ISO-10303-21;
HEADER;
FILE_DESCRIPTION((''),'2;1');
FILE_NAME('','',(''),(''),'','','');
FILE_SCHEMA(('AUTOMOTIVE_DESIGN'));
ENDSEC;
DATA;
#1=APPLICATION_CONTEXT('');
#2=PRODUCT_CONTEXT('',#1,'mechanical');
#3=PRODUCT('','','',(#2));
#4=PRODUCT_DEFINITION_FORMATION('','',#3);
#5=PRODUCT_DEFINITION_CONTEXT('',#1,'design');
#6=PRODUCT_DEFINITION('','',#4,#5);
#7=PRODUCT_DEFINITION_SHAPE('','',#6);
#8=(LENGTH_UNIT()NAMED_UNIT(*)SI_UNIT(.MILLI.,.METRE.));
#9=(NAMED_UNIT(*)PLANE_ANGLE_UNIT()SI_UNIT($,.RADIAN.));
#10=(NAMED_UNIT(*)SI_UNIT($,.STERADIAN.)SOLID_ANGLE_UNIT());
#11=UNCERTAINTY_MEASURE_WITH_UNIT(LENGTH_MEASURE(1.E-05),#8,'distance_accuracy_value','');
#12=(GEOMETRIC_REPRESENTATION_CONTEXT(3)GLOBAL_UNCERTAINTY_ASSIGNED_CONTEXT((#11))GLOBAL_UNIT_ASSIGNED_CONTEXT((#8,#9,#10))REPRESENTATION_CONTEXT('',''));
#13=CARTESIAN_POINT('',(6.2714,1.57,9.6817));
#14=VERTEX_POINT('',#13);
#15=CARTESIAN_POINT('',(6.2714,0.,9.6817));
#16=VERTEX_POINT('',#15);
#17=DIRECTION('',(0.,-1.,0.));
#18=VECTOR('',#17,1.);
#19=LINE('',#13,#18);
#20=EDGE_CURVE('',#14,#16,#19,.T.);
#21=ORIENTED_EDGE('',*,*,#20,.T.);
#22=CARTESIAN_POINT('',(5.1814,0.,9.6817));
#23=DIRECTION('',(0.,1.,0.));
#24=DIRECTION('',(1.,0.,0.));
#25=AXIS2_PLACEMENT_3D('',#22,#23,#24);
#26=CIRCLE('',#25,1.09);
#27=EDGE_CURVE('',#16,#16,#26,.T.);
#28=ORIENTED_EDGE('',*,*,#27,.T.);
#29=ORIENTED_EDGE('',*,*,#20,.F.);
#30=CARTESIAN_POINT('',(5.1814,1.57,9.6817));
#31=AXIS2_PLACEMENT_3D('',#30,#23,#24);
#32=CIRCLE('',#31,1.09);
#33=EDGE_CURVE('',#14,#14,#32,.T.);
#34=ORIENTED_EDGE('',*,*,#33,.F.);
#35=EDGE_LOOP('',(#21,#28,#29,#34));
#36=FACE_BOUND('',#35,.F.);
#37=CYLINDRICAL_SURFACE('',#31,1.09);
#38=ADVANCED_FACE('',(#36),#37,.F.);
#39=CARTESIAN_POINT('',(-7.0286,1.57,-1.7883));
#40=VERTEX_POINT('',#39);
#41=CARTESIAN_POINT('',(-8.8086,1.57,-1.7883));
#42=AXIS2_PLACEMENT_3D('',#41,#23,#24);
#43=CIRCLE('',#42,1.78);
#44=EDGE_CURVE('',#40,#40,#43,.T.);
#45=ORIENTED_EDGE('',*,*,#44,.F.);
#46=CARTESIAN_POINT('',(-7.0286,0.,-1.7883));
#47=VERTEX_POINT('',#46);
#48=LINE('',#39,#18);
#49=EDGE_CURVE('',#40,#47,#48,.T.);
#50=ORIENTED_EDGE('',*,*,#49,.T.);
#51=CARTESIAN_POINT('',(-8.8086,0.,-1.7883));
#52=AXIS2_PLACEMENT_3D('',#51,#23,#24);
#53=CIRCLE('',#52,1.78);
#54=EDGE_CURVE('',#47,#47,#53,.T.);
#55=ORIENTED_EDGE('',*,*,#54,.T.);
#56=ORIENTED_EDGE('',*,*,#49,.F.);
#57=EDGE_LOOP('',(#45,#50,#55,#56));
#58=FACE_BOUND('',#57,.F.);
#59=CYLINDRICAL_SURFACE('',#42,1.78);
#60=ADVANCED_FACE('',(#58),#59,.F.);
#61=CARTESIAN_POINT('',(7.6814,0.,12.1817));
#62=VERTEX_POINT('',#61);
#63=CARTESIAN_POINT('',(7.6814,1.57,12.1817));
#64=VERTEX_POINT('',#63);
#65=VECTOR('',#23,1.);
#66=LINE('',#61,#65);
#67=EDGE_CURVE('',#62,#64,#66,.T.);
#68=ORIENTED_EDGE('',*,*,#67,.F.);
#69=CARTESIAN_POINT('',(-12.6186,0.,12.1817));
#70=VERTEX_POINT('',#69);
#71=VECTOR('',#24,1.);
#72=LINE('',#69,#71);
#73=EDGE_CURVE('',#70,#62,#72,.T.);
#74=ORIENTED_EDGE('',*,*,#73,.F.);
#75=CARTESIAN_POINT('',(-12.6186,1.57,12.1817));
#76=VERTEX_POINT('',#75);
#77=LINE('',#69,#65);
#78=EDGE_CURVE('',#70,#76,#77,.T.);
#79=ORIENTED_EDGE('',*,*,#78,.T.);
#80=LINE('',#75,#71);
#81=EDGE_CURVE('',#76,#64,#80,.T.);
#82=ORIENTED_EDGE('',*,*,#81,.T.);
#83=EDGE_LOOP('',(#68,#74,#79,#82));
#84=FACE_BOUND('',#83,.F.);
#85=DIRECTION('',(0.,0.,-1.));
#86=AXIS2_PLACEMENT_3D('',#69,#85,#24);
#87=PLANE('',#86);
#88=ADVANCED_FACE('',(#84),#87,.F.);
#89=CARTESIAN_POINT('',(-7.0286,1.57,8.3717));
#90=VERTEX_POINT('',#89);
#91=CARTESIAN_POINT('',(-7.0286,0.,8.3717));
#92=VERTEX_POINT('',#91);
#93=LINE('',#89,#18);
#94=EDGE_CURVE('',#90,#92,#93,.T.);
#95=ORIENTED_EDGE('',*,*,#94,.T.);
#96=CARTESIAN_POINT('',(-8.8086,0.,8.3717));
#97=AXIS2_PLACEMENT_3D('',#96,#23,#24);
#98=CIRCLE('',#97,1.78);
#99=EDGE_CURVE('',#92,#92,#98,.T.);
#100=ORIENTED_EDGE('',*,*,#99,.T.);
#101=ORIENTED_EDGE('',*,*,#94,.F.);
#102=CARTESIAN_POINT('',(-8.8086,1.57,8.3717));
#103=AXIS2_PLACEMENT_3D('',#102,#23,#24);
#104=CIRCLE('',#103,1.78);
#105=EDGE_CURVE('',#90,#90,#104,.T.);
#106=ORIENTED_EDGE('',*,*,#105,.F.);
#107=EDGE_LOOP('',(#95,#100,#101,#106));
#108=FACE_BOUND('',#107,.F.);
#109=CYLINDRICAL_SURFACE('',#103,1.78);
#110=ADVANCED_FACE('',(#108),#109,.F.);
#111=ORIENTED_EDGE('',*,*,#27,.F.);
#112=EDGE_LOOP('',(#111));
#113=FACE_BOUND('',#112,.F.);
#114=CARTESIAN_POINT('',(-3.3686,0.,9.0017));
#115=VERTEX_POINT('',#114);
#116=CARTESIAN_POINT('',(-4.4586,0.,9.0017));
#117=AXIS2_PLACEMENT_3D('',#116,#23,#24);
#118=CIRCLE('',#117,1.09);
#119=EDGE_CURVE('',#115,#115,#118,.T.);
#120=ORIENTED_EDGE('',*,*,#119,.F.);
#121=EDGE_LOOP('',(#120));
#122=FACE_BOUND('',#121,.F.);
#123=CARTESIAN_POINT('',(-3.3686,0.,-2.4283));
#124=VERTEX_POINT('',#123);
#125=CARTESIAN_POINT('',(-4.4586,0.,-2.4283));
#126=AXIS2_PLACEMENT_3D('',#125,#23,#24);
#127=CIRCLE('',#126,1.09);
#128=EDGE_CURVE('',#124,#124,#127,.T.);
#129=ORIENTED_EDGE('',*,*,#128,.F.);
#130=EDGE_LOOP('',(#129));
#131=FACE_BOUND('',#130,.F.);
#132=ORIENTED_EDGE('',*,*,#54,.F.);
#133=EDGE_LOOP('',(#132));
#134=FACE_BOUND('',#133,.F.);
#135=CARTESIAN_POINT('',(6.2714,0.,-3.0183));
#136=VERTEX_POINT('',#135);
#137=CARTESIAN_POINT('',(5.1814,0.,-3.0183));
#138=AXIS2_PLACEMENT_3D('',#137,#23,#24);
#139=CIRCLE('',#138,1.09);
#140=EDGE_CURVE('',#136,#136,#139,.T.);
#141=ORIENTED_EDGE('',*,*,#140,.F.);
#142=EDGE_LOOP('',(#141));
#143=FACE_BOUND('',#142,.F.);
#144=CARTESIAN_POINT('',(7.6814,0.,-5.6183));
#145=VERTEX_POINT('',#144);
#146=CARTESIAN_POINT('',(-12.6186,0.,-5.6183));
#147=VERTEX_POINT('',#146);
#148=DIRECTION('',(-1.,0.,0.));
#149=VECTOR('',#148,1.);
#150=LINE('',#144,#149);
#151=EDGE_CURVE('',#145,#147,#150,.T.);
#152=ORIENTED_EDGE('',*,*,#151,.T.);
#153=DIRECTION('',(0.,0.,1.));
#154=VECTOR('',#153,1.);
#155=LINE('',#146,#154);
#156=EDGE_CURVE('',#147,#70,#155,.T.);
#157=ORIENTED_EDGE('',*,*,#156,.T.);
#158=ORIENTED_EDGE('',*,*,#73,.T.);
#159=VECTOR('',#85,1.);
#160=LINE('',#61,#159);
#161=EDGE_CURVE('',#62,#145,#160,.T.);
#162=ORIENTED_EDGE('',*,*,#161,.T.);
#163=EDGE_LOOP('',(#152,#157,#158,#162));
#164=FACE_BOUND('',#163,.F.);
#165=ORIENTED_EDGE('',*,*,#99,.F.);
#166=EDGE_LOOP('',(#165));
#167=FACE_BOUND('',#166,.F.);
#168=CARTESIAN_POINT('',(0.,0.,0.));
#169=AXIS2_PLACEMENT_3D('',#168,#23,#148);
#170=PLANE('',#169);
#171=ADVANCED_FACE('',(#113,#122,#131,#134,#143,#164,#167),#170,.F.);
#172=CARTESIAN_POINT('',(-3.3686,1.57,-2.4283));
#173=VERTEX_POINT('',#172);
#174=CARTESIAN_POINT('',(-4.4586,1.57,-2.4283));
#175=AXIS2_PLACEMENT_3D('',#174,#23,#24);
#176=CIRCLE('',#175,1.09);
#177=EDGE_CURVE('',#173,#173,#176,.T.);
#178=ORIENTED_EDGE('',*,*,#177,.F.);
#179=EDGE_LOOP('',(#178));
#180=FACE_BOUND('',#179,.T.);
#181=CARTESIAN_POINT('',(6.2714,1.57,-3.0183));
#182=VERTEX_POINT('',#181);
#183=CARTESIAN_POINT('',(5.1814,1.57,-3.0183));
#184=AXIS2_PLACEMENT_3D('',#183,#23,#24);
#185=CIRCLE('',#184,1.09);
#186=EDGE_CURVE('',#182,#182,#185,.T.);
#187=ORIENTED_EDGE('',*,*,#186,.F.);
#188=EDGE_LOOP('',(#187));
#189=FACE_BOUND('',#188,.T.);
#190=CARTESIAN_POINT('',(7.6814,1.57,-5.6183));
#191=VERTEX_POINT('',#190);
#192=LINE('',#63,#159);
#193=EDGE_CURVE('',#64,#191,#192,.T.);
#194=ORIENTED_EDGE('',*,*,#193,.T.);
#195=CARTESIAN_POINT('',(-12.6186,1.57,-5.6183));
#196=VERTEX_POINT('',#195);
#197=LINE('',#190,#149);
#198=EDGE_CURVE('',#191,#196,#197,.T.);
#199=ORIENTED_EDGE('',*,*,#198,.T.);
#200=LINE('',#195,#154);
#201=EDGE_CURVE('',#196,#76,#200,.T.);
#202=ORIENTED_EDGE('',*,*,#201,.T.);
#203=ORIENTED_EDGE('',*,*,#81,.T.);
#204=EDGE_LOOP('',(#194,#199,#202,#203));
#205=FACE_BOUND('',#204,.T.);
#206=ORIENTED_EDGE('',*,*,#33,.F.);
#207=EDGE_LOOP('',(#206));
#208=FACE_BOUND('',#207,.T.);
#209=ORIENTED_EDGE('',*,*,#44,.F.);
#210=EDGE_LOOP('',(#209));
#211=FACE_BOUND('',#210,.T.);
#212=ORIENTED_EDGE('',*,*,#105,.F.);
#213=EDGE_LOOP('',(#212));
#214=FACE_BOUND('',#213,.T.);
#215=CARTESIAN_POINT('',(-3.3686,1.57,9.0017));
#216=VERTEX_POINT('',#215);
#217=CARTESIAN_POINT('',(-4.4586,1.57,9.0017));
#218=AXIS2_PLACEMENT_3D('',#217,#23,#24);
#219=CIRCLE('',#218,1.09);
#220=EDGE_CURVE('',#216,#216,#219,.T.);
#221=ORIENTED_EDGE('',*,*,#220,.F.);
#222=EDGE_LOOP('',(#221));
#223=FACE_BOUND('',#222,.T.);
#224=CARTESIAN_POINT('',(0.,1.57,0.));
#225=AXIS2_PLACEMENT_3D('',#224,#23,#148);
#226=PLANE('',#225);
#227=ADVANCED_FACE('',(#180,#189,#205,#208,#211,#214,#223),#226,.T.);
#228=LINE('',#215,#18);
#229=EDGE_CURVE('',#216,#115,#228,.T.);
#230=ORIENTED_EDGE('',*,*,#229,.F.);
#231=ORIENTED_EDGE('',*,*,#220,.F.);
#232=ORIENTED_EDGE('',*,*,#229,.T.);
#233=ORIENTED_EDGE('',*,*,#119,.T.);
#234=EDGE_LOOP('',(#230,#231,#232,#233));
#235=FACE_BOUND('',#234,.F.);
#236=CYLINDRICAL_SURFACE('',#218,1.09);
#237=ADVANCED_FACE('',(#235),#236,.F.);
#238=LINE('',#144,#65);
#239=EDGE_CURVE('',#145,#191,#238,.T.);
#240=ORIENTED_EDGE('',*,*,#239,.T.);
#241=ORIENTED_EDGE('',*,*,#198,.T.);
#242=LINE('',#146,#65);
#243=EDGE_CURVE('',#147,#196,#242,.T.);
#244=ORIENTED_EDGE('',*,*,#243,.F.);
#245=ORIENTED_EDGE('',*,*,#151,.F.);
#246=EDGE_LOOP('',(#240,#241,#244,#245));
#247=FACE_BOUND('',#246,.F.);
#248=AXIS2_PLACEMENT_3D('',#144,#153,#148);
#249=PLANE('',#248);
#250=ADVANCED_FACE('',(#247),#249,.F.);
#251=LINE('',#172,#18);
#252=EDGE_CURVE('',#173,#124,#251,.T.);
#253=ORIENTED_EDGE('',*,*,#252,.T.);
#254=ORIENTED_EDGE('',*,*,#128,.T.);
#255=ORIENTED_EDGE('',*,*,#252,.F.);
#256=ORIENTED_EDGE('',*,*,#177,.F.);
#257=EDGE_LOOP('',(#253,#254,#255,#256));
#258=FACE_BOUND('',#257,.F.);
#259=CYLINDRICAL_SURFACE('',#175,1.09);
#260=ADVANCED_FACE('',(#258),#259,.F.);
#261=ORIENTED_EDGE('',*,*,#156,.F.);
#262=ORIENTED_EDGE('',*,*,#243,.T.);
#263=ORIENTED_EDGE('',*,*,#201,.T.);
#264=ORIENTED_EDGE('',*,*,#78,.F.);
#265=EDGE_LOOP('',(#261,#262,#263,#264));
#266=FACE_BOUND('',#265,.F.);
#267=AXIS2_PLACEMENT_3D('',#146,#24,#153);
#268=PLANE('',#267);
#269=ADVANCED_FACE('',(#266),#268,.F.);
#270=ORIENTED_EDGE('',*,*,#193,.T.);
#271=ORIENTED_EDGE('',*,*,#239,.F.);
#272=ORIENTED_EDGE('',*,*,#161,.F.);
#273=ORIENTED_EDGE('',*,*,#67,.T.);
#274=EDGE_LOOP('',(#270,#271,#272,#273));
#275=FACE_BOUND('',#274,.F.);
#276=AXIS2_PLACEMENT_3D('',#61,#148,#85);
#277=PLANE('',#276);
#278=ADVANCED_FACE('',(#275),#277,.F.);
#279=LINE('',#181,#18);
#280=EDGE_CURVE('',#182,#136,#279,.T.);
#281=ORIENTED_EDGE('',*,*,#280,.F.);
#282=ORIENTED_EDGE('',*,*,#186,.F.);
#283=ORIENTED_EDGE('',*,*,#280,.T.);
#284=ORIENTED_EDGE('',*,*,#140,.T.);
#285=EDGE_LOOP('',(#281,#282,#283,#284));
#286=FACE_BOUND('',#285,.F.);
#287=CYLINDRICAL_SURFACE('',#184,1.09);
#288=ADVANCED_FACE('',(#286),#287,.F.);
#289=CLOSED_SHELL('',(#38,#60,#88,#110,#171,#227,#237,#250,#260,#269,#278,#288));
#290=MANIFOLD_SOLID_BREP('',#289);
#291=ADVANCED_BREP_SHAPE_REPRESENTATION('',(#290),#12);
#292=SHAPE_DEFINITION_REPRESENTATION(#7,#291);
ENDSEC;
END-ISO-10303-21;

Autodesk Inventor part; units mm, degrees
ref_plane "YZ Plane" through (0, 0, 0) normal (1, 0, 0) x (0, 1, 0)
ref_plane "XZ Plane" through (0, 0, 0) normal (0, 1, 0) x (-1, 0, 0)
ref_plane "XY Plane" through (0, 0, 0) normal (0, 0, 1) x (1, 0, 0)
sketch "Sketch1" plane through (0, 0, 0) normal (0, 1, 0) x (-1, 0, 0)
  line L0 (12.6186, 12.1817) -> (-7.6814, 12.1817)
  line L1 (-7.6814, 12.1817) -> (-7.6814, -5.6183)
  line L2 (-7.6814, -5.6183) -> (12.6186, -5.6183)
  line L3 (12.6186, -5.6183) -> (12.6186, 12.1817)
  point P0 (0, 0)
  dimension "d0" = 17.8
  dimension "d1" = 20.3
extrude "Extrusion1" add sketch "Sketch1" along normal blind 1.57
sketch "Sketch2" plane through (0, 1.57, 0) normal (0, 1, 0) x (1, 0, 0)
  circle A0 centre (-8.8086, -8.3717) radius 1.78
  circle A1 centre (-8.8086, 1.7883) radius 1.78
  circle A2 centre (-4.4586, -9.0017) radius 1.09
  circle A3 centre (-4.4586, 2.4283) radius 1.09
  circle A4 centre (5.1814, 3.0183) radius 1.09
  circle A5 centre (5.1814, -9.6817) radius 1.09
  line L0 (-12.6186, 5.6183) -> (-12.6186, -12.1817) projected
  line L1 (-12.6186, -12.1817) -> (7.6814, -12.1817) projected
  line L2 (7.6814, -12.1817) -> (7.6814, 5.6183) projected
  point P0 (0, 0)
  dimension "d4" = 3.56
  dimension "d5" = 3.56
  dimension "d6" = 3.81
  dimension "d7" = 3.81
  dimension "d8" = 3.81
  dimension "d9" = 10.16
  dimension "d10" = 2.18
  dimension "d11" = 2.18
  dimension "d12" = 2.18
  dimension "d13" = 2.18
  dimension "d14" = 8.16
  dimension "d15" = 8.16
  dimension "d16" = 3.18
  dimension "d17" = 11.43
  dimension "d18" = 2.5
  dimension "d19" = 2.5
  dimension "d20" = 12.7
  dimension "d21" = 2.5
extrude "Extrusion2" cut sketch "Sketch2" against normal blind 50.8
properties part number "ACHS-7121"
